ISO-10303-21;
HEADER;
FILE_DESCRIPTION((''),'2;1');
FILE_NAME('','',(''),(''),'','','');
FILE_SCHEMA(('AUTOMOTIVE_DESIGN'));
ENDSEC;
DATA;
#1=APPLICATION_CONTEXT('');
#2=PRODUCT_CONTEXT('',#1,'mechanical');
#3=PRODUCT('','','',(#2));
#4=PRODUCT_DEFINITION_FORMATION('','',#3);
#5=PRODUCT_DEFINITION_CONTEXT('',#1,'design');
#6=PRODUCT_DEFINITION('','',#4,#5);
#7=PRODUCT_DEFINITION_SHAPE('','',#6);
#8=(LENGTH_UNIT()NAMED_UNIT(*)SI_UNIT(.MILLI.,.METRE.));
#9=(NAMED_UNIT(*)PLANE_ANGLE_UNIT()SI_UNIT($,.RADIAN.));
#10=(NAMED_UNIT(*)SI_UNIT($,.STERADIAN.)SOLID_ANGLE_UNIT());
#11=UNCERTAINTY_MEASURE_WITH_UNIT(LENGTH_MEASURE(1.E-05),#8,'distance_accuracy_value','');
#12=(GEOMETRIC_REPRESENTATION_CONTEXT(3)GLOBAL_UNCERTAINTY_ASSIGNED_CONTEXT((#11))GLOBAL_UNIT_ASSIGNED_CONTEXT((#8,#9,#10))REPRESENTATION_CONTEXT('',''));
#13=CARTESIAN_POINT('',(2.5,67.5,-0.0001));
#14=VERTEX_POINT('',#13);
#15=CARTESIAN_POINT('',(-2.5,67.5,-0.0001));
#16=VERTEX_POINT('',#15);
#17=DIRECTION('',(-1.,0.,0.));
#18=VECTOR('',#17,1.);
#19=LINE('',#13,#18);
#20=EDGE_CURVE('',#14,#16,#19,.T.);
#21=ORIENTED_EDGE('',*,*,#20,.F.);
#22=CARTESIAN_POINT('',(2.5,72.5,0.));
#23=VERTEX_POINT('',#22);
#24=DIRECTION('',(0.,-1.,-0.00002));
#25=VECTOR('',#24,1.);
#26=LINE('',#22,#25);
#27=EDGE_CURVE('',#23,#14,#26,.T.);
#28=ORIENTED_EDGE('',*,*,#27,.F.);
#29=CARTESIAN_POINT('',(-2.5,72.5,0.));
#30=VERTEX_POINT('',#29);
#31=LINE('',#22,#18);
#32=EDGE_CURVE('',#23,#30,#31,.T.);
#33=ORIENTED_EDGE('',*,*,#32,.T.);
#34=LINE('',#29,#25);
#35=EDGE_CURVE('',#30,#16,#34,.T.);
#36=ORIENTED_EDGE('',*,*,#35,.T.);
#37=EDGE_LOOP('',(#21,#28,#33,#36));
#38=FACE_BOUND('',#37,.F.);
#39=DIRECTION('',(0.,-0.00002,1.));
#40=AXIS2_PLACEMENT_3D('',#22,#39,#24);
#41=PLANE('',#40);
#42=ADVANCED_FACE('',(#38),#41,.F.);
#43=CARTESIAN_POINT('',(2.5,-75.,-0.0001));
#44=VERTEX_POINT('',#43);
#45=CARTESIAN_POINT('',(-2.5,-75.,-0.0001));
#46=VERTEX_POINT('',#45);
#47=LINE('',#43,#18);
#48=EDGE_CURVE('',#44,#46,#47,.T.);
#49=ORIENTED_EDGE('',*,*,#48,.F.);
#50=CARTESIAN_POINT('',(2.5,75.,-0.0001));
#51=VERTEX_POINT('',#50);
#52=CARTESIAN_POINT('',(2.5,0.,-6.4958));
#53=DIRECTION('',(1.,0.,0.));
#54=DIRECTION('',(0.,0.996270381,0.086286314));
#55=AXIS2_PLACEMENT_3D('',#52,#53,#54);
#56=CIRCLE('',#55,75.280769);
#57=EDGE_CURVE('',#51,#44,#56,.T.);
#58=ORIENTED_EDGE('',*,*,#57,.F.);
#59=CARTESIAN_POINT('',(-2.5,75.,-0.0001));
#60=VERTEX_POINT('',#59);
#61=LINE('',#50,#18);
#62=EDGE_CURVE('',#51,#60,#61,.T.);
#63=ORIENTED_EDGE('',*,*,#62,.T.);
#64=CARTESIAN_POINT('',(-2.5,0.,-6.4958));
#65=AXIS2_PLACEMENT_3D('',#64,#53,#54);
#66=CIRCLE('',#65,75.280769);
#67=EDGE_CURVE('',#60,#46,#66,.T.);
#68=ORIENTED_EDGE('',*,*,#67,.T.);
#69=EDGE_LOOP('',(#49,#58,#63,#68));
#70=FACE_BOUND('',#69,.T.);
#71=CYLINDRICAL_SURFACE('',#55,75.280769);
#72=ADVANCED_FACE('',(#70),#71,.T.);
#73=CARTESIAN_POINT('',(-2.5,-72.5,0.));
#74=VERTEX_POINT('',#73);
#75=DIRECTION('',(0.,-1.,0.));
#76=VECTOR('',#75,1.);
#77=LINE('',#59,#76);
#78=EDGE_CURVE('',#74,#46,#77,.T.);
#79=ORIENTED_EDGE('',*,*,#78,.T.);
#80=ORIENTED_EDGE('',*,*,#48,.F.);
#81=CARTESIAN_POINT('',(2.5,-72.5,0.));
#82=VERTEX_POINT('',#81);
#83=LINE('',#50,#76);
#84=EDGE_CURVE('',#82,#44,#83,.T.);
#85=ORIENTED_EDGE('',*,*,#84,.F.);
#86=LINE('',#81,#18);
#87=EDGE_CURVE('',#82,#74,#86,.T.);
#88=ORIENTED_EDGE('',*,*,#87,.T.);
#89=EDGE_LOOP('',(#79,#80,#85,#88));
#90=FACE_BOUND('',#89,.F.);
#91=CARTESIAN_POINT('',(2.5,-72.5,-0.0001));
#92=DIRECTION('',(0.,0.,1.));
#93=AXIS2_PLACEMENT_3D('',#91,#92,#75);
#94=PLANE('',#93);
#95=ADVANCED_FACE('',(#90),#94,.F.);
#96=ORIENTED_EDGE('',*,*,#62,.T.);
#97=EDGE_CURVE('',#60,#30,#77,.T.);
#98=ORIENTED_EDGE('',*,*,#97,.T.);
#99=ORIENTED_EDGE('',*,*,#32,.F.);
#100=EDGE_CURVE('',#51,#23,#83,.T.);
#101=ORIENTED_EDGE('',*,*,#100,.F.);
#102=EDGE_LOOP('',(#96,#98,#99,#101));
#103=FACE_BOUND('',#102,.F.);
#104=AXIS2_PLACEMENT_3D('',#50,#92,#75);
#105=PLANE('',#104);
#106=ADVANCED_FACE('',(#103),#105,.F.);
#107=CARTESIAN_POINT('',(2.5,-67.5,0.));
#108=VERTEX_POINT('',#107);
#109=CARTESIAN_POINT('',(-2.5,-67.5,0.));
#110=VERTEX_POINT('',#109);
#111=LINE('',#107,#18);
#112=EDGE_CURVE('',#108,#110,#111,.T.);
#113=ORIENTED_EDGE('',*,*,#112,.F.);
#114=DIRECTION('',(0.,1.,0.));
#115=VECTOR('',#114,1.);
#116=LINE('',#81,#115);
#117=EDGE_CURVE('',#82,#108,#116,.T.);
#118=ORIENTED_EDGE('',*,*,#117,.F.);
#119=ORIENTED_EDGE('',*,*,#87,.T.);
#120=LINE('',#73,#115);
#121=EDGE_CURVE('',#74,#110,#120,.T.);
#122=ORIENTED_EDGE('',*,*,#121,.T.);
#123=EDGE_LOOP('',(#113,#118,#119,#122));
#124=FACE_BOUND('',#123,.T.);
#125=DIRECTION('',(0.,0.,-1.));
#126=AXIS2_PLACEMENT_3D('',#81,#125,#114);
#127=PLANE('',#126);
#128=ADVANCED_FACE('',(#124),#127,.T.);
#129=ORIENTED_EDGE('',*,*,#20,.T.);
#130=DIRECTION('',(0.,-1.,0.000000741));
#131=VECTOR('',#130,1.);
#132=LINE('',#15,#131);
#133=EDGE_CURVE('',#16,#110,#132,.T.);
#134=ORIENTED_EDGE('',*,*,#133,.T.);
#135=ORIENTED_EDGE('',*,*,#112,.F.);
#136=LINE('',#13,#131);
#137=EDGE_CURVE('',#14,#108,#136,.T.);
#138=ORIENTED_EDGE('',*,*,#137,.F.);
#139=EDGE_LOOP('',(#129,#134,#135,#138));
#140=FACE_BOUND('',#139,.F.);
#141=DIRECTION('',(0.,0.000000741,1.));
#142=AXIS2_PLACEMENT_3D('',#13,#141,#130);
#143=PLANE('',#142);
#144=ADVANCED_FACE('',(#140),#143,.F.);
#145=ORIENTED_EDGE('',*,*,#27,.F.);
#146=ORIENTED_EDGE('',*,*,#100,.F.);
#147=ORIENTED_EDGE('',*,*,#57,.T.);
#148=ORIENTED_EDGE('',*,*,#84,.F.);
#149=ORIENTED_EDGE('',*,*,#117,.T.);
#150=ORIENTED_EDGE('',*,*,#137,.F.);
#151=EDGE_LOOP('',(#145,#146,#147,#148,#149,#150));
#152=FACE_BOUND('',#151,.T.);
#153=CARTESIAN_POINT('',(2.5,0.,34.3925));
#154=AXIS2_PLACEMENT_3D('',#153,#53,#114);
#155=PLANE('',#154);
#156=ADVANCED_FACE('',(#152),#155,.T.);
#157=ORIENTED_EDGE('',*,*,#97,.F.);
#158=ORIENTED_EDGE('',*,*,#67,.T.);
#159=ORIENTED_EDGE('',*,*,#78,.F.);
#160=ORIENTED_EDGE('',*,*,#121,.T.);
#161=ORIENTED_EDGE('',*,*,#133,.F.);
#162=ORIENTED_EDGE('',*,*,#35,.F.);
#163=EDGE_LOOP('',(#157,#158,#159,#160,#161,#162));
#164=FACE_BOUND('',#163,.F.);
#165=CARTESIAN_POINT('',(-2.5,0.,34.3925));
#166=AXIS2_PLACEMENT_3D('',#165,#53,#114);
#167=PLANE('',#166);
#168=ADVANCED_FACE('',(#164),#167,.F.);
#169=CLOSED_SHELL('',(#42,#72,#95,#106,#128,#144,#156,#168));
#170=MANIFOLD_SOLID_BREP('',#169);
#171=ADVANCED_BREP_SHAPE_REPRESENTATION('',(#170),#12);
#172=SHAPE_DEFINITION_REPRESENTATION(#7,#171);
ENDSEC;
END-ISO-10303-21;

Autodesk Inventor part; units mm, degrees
ref_plane "YZ Plane" through (0, 0, 0) normal (1, 0, 0) x (0, 1, 0)
ref_plane "Work Plane1" through (-2.5, 0, 34.3925) normal (1, 0, 0) x (0, 1, 0)
sketch "Sketch1" plane through (-2.5, 0, 34.3925) normal (1, 0, 0) x (0, 1, 0)
  arc A0 (72.5, -34.3925) -> (-72.5, -34.3925) centre (0, -45.8883) ccw projected
  line L0 (72.5, -34.3926) -> (67.5, -34.3926) projected
  line L1 (67.5, -34.3925) -> (-67.5, -34.3925) projected
  line L2 (-72.5, -34.3926) -> (-67.5, -34.3926) projected
  line L3 (67.5, -34.3926) -> (-67.5, -34.3926) projected
  arc A1 (75, -34.3926) -> (-75, -34.3926) centre (0, -40.8883) ccw projected
  line L4 (75, -34.3926) -> (-75, -34.3926) projected
  arc A2 (72.5, -34.3925) -> (-72.5, -34.3925) centre (0, -45.8883) ccw projected
  line L5 (-72.5, -34.3925) -> (72.5, -34.3925) projected
  point P0 (0, -34.3925)
  point P1 (-72.5, -34.3926)
  point P2 (72.5, -34.3926)
ref_plane "Work Plane2" through (2.5, -67.5, -250) normal (1, 0, 0) x (0, 1, 0)
ref_plane "Work Plane3" through (-2.5, -72.3, -250) normal (-1, 0, 0) x (0, 0, 1)
extrude "Extrusion1" add sketch "Sketch1" against normal up to surface (5 mm away) from surface at 5
properties part number "Lid2" material "Plastic, Opaque White"
